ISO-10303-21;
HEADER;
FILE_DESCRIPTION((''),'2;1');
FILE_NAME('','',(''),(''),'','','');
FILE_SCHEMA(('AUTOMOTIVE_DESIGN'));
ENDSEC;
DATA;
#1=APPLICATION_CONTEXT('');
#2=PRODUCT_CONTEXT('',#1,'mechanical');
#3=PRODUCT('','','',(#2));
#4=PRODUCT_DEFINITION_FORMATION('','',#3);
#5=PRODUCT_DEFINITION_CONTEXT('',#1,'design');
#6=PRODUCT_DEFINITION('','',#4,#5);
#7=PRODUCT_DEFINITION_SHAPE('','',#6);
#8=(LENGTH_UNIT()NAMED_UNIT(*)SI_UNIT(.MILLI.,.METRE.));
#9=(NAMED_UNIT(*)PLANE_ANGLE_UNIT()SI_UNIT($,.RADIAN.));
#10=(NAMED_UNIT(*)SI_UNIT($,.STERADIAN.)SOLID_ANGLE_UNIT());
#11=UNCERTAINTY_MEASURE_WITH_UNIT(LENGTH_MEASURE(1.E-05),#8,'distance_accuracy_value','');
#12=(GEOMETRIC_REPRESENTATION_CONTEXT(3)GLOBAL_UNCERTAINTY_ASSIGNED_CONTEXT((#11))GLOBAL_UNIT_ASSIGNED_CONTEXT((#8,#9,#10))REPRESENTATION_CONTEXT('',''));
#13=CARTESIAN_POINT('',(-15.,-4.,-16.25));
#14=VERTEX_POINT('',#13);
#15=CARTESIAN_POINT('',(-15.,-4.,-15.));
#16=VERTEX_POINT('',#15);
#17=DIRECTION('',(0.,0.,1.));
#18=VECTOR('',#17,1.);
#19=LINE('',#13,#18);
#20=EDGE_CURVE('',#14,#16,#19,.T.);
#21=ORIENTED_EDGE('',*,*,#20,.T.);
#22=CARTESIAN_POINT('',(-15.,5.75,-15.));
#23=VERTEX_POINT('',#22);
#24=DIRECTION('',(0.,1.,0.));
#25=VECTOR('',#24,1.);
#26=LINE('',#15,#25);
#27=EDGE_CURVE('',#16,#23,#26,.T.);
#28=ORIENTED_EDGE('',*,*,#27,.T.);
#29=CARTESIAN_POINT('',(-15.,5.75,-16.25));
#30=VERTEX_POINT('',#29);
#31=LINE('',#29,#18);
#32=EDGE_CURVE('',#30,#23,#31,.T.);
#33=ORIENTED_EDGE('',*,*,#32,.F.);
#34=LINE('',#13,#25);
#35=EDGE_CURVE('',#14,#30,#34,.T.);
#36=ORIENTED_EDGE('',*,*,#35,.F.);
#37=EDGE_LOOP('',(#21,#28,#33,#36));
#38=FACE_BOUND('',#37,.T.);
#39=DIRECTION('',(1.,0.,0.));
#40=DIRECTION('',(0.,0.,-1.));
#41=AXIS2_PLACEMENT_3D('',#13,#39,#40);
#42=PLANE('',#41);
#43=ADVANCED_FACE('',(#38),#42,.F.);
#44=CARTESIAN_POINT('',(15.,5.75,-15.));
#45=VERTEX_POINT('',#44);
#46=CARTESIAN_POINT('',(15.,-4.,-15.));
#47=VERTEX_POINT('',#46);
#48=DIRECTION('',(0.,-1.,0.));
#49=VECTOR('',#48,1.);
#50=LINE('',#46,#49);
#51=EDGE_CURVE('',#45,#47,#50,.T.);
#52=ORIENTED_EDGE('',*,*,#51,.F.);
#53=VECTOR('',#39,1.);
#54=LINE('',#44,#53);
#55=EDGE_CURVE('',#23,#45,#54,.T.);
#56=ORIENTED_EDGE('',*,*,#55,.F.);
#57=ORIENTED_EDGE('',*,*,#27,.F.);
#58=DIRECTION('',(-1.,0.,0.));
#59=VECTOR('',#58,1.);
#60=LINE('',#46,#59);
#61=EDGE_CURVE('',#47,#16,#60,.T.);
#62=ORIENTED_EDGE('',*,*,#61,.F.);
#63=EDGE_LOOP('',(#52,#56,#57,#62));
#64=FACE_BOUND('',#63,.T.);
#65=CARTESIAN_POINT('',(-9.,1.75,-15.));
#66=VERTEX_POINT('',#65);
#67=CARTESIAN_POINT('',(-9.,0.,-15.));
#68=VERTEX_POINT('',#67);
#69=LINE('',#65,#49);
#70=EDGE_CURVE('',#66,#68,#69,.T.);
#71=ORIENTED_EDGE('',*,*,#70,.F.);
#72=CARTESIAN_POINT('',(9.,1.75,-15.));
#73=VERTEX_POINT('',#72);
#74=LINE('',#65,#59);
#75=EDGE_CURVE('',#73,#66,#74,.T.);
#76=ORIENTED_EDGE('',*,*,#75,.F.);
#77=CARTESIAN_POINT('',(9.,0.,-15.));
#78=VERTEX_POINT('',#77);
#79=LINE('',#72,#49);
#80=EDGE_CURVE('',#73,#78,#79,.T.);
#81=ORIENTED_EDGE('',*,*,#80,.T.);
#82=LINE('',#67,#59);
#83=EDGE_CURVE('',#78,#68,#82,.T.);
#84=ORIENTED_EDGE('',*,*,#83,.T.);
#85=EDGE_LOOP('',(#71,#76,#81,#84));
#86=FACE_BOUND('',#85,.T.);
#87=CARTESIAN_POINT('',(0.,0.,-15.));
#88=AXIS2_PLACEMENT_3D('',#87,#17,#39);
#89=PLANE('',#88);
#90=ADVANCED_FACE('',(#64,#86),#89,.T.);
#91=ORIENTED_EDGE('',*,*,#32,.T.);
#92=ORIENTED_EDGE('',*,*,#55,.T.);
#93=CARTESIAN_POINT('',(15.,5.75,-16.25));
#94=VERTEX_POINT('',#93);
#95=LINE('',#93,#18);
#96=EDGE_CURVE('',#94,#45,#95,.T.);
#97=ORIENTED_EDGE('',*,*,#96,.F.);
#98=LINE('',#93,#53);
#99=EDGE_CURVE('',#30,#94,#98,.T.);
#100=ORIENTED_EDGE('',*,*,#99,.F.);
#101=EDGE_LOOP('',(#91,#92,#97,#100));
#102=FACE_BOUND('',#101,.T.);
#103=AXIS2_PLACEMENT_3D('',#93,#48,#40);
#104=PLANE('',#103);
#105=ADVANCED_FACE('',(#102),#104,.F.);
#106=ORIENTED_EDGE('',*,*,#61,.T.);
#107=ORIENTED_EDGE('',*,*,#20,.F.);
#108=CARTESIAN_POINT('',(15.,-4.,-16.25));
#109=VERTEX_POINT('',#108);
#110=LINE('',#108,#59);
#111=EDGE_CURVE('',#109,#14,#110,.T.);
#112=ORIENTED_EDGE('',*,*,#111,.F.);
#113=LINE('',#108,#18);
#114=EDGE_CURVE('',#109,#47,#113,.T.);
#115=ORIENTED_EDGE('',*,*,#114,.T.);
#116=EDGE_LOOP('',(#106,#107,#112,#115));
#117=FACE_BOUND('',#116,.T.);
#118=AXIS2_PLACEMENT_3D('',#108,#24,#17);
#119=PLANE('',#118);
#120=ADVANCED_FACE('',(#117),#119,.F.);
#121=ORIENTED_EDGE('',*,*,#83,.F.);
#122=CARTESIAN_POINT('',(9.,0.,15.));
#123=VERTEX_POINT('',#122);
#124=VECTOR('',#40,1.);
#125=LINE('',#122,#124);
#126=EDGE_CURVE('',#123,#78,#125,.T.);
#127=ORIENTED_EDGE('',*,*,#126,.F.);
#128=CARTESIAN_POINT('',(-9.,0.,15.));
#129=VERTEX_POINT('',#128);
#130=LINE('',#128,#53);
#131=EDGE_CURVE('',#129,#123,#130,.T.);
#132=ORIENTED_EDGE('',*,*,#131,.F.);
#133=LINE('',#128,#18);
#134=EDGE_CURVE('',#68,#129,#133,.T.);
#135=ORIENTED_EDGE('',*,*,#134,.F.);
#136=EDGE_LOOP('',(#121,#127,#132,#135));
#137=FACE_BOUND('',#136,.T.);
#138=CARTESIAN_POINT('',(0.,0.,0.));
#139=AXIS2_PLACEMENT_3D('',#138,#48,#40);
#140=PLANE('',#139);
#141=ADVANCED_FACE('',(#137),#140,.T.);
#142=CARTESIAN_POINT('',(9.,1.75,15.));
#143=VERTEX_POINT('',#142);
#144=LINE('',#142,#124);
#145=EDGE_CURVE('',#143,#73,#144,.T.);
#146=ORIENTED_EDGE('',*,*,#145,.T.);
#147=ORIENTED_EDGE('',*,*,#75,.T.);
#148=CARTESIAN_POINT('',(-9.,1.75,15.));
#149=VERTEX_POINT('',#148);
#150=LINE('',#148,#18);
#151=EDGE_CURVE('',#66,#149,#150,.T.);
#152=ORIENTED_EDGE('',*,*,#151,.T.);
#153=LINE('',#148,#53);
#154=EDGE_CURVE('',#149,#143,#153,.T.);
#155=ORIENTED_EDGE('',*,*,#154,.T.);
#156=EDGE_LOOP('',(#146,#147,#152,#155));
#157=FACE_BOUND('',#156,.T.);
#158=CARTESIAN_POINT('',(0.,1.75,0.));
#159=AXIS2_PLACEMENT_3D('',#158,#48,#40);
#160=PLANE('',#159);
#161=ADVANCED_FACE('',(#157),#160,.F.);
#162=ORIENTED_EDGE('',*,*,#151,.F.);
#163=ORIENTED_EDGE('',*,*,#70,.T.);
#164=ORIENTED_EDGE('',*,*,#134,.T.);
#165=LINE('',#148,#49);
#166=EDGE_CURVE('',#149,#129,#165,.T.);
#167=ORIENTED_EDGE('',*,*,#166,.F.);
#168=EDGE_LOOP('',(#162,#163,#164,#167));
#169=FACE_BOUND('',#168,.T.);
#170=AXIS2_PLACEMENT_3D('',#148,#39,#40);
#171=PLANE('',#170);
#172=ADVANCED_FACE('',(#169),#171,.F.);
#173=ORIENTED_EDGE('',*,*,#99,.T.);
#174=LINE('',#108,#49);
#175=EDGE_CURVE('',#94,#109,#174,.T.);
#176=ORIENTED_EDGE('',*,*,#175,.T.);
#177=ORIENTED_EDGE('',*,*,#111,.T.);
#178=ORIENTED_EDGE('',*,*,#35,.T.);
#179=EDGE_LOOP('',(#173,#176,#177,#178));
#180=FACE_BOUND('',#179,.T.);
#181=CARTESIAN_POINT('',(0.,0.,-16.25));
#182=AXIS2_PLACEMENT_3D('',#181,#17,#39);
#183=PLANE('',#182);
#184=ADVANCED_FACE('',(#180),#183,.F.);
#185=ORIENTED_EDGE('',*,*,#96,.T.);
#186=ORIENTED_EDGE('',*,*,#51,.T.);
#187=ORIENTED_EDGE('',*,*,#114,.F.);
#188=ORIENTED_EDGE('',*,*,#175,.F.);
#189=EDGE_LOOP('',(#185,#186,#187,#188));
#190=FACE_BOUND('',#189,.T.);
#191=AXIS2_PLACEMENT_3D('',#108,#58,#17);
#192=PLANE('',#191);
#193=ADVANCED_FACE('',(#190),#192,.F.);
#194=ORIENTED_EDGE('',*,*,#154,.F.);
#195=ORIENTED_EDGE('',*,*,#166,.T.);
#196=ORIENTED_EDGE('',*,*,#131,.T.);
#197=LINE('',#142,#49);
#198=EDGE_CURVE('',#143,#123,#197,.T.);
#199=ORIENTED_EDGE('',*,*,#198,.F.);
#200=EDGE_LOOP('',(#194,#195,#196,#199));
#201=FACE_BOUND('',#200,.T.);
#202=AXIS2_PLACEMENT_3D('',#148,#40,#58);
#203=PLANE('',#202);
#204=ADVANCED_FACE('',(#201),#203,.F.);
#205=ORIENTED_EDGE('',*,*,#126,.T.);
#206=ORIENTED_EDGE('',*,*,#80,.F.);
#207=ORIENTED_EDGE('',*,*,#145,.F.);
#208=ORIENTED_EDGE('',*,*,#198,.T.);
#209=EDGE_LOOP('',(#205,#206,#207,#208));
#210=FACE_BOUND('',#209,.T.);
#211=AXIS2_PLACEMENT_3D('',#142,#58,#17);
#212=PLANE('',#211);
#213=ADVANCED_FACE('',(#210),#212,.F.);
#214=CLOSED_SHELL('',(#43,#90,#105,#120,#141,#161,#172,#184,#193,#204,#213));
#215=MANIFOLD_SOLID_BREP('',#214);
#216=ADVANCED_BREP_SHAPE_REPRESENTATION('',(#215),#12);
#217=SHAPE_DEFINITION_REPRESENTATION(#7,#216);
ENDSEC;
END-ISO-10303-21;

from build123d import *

# Parameters (mm, degrees)
SKETCH1_W           = 18
SKETCH1_H           = 30
BOSS_EXTRUDE1_DEPTH = 1.75
SKETCH2_W           = 30
SKETCH2_H           = 9.75
BOSS_EXTRUDE2_DEPTH = 1.25


with BuildPart() as part:
    # Sketch1 → Boss-Extrude1 (new body)
    with BuildSketch(Plane(origin=(0, 0, 0), x_dir=(1, 0, 0), z_dir=(0, 1, 0))):
        Rectangle(SKETCH1_W, SKETCH1_H)
    extrude(amount=BOSS_EXTRUDE1_DEPTH)

    # Sketch2 → Boss-Extrude2 (add)
    with BuildSketch(Plane(origin=(0, 0, -15), x_dir=(-1, 0, 0), z_dir=(0, 0, -1))):
        with Locations((0, 0.875)):
            Rectangle(SKETCH2_W, SKETCH2_H)
    extrude(amount=BOSS_EXTRUDE2_DEPTH)


solid = part.part
